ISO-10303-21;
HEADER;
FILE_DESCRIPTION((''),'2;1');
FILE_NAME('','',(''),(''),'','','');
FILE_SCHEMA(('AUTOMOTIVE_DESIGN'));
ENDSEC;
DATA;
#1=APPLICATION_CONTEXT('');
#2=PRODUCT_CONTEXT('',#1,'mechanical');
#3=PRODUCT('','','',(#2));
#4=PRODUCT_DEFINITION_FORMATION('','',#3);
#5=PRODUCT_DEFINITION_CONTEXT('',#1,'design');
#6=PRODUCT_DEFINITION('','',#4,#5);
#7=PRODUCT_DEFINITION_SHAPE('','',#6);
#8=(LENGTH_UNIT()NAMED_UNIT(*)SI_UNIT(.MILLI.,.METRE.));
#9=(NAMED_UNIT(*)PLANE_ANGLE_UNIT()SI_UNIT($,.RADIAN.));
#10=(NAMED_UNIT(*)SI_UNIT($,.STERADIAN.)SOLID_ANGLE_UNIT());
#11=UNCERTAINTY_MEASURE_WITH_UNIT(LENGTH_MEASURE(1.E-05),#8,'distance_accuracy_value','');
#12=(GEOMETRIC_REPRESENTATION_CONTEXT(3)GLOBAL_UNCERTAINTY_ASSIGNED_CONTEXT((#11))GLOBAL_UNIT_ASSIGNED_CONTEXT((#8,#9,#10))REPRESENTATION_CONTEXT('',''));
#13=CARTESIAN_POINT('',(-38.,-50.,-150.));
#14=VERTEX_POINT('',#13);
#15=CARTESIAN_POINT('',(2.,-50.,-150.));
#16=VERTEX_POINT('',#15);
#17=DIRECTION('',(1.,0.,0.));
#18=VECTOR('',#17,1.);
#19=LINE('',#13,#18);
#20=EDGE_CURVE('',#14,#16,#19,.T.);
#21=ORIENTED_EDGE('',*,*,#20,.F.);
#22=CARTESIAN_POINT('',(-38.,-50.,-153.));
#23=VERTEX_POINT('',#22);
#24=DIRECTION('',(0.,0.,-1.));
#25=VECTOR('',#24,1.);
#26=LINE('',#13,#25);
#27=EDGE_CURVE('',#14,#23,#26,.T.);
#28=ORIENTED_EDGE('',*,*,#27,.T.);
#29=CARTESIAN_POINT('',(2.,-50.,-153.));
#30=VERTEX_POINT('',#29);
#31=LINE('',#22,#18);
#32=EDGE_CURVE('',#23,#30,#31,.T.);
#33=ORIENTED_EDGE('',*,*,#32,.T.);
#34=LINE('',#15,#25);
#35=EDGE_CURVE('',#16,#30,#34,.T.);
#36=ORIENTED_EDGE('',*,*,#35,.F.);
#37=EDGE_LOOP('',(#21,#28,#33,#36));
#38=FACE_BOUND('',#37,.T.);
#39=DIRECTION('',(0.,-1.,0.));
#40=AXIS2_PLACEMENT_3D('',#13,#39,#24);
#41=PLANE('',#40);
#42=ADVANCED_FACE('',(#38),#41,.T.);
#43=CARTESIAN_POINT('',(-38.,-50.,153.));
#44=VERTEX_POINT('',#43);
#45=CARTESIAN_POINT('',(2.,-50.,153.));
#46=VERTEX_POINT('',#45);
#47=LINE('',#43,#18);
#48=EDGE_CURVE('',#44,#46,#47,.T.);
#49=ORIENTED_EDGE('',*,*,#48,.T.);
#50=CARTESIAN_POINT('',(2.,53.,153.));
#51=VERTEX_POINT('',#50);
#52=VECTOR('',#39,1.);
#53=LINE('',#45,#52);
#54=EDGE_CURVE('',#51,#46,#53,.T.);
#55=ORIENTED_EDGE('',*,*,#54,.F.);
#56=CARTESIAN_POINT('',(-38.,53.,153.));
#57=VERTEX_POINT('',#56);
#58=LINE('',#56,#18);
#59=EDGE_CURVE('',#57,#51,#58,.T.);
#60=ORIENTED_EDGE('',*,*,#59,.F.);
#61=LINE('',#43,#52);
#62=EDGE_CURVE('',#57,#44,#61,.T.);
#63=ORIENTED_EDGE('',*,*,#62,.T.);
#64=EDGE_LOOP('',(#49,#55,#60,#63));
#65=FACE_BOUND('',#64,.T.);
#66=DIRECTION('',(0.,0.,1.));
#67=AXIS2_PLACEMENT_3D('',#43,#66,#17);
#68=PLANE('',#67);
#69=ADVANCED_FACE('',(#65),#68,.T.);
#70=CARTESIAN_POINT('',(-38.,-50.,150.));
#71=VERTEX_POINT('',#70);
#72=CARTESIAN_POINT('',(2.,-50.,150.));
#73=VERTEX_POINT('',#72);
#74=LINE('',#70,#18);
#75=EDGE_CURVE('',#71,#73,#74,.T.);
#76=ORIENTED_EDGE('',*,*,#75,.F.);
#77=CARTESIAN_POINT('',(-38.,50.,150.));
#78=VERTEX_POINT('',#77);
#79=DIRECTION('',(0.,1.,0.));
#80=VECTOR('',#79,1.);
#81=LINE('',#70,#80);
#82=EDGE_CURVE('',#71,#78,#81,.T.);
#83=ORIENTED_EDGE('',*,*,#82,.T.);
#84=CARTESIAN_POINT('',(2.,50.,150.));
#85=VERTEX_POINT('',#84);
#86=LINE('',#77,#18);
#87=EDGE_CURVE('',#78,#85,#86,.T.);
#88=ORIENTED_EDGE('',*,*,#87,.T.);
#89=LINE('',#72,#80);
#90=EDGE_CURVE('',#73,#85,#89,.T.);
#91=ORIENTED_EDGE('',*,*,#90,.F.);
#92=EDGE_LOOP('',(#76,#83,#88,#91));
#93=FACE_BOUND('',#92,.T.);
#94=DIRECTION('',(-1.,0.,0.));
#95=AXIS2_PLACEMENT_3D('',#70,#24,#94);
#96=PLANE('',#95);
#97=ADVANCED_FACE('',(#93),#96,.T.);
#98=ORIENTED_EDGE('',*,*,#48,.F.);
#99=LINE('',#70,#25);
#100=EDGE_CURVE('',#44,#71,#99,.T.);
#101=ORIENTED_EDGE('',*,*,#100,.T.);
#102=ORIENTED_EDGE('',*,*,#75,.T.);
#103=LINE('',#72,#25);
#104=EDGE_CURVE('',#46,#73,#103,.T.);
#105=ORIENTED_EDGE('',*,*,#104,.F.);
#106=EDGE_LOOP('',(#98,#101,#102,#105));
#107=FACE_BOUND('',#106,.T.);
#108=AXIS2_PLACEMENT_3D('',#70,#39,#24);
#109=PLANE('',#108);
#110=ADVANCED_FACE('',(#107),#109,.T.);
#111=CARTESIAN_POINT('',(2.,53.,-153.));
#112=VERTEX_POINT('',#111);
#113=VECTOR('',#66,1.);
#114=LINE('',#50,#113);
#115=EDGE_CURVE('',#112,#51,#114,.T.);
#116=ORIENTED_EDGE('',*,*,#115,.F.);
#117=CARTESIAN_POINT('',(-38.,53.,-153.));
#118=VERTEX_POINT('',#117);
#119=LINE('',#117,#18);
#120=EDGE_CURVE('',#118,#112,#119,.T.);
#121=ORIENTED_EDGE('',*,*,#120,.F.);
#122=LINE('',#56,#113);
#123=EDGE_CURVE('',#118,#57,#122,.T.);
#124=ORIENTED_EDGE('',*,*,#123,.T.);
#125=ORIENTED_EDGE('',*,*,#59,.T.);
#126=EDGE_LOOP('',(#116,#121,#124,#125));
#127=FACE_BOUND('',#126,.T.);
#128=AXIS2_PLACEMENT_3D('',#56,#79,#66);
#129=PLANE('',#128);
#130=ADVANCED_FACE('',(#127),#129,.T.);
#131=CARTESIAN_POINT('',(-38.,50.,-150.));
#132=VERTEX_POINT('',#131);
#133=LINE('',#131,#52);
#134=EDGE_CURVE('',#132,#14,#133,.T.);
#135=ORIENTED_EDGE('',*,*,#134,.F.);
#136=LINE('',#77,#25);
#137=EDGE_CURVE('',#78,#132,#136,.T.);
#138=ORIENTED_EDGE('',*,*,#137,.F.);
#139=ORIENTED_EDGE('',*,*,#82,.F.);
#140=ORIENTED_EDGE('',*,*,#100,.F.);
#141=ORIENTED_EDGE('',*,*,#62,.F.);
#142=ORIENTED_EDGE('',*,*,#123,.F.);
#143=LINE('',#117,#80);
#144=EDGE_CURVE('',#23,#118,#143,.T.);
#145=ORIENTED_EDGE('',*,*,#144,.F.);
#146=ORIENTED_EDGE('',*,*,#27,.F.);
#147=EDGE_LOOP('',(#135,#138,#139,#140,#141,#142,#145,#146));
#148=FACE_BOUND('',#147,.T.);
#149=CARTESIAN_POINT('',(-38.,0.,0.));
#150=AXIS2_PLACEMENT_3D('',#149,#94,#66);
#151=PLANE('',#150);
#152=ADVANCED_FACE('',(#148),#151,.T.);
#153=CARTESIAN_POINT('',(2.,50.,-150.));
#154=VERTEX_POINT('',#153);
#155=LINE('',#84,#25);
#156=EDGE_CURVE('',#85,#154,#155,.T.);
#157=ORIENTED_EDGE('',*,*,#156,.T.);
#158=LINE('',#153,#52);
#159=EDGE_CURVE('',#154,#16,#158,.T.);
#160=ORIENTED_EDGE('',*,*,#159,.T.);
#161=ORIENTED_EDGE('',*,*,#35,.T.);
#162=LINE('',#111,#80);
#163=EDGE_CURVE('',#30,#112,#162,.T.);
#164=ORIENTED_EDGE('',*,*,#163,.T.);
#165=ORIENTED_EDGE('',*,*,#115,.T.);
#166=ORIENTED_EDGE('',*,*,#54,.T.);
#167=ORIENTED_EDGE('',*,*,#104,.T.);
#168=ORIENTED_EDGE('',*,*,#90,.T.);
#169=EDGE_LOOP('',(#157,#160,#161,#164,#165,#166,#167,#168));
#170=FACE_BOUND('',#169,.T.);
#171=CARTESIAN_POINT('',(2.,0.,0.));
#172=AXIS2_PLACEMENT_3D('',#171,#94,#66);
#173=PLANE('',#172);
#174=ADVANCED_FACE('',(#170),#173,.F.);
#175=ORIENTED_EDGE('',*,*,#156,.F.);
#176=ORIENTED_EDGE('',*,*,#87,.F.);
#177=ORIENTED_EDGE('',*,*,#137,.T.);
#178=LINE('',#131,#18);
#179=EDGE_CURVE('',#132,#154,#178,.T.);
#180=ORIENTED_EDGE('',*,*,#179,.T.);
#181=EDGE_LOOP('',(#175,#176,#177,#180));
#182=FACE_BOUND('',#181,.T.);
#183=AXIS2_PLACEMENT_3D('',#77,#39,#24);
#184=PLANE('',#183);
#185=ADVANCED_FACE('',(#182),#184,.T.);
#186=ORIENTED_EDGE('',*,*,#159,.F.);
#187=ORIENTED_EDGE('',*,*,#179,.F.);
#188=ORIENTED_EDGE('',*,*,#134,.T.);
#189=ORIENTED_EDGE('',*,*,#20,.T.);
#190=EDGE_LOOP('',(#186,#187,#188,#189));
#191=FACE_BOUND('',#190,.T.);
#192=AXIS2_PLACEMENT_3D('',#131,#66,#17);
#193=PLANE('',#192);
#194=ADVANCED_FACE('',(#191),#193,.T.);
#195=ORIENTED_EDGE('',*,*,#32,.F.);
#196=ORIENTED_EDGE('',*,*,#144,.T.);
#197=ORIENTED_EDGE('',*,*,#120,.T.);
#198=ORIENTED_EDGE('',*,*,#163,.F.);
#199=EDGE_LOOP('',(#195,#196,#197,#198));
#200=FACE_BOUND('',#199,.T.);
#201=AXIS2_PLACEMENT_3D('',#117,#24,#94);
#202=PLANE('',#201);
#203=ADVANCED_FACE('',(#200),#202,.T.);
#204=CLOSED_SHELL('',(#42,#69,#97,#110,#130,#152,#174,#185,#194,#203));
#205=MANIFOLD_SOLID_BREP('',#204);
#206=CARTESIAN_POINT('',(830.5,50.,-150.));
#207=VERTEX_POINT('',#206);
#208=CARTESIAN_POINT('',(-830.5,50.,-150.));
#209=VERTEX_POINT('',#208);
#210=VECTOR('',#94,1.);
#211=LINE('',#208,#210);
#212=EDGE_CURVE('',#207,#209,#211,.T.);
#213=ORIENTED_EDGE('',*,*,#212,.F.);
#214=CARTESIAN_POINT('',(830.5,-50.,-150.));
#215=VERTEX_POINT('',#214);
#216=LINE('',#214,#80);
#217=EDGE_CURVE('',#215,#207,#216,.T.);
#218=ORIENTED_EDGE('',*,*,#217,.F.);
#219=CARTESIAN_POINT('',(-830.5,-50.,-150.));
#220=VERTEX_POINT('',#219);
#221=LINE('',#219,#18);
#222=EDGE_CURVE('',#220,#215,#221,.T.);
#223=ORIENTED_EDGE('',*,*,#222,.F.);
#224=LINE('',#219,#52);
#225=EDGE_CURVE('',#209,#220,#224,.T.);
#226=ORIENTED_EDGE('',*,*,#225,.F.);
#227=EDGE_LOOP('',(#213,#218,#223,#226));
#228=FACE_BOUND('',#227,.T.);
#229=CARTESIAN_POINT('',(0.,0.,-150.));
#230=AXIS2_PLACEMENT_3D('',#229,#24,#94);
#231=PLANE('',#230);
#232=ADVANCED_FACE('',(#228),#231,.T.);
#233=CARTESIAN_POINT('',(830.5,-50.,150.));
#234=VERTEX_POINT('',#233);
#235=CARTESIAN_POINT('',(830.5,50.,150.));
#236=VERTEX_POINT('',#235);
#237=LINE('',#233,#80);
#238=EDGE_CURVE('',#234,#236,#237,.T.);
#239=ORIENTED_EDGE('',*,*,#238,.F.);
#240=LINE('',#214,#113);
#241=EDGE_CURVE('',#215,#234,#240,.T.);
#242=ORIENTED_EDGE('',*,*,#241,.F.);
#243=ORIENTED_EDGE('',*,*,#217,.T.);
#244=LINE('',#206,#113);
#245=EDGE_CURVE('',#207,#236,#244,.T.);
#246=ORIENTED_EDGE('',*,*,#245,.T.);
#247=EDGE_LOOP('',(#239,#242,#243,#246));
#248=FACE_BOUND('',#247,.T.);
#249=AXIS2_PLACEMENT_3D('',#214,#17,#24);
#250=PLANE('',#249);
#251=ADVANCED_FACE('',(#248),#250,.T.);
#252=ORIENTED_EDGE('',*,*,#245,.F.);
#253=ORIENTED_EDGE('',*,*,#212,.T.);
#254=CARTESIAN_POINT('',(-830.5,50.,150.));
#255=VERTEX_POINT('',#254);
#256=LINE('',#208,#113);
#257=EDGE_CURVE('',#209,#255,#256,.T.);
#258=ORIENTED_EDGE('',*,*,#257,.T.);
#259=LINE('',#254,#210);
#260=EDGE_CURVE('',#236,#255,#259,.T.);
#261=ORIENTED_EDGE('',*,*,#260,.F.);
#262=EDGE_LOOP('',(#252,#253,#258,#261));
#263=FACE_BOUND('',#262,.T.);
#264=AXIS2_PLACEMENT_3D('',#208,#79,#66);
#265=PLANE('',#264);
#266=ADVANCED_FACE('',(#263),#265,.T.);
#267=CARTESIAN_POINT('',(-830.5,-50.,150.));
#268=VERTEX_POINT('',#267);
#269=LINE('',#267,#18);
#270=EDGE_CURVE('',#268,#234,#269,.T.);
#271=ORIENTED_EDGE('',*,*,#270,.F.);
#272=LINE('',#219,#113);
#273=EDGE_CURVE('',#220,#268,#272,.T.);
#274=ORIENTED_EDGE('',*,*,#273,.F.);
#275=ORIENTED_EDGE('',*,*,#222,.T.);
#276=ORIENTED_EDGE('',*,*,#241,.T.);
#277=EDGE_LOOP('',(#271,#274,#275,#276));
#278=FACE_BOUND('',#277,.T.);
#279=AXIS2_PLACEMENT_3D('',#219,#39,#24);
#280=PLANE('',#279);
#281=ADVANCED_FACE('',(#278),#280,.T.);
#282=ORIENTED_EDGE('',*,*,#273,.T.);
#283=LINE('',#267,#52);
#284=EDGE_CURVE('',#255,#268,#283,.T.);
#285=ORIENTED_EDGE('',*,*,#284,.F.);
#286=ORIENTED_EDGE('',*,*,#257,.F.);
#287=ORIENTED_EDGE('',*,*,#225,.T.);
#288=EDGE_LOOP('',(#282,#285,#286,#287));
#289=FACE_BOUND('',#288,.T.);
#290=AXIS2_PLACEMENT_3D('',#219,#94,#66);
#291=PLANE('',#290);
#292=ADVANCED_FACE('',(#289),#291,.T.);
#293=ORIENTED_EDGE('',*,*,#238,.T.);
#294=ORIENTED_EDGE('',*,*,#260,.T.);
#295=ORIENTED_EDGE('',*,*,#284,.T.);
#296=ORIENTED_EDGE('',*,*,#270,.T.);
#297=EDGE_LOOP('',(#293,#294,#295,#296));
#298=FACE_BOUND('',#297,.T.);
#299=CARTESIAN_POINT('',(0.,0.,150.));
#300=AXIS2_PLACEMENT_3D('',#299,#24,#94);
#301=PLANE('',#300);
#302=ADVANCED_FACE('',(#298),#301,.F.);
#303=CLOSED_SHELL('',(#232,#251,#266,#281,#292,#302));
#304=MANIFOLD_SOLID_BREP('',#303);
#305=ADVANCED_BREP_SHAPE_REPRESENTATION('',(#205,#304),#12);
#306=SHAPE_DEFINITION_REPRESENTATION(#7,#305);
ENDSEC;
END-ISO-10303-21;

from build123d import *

# Parameters (mm, degrees)
BOSS_EXTRUDE1_DEPTH      = 150
BOSS_EXTRUDE1_DEPTH_BACK = 150
SKETCH1_W                = 1661
SKETCH1_H                = 100
BOSS_EXTRUDE2_DEPTH      = 2
BOSS_EXTRUDE2_DEPTH_BACK = 38


with BuildPart() as part:
    # Sketch1 → Boss-Extrude1 (new, two sides: drawn at the far end of the back side and taken through both)
    with BuildSketch(Plane.XY.offset(-BOSS_EXTRUDE1_DEPTH_BACK)):
        Rectangle(SKETCH1_W, SKETCH1_H)
    extrude(amount=BOSS_EXTRUDE1_DEPTH + BOSS_EXTRUDE1_DEPTH_BACK)


with BuildPart() as body_2:
    # Sketch2 → Boss-Extrude2 (new, two sides: drawn at the far end of the back side and taken through both)
    with BuildSketch(Plane(origin=(0, 0, 0), x_dir=(0, 0, -1), z_dir=(1, 0, 0)).offset(-BOSS_EXTRUDE2_DEPTH_BACK)):
        Polygon((-150, -50), (-150, 50), (150, 50), (150, -50), (153, -50), (153, 53), (-153, 53), (-153, -50), align=None)
    extrude(amount=BOSS_EXTRUDE2_DEPTH + BOSS_EXTRUDE2_DEPTH_BACK)


solid = Compound([part.part, body_2.part])
